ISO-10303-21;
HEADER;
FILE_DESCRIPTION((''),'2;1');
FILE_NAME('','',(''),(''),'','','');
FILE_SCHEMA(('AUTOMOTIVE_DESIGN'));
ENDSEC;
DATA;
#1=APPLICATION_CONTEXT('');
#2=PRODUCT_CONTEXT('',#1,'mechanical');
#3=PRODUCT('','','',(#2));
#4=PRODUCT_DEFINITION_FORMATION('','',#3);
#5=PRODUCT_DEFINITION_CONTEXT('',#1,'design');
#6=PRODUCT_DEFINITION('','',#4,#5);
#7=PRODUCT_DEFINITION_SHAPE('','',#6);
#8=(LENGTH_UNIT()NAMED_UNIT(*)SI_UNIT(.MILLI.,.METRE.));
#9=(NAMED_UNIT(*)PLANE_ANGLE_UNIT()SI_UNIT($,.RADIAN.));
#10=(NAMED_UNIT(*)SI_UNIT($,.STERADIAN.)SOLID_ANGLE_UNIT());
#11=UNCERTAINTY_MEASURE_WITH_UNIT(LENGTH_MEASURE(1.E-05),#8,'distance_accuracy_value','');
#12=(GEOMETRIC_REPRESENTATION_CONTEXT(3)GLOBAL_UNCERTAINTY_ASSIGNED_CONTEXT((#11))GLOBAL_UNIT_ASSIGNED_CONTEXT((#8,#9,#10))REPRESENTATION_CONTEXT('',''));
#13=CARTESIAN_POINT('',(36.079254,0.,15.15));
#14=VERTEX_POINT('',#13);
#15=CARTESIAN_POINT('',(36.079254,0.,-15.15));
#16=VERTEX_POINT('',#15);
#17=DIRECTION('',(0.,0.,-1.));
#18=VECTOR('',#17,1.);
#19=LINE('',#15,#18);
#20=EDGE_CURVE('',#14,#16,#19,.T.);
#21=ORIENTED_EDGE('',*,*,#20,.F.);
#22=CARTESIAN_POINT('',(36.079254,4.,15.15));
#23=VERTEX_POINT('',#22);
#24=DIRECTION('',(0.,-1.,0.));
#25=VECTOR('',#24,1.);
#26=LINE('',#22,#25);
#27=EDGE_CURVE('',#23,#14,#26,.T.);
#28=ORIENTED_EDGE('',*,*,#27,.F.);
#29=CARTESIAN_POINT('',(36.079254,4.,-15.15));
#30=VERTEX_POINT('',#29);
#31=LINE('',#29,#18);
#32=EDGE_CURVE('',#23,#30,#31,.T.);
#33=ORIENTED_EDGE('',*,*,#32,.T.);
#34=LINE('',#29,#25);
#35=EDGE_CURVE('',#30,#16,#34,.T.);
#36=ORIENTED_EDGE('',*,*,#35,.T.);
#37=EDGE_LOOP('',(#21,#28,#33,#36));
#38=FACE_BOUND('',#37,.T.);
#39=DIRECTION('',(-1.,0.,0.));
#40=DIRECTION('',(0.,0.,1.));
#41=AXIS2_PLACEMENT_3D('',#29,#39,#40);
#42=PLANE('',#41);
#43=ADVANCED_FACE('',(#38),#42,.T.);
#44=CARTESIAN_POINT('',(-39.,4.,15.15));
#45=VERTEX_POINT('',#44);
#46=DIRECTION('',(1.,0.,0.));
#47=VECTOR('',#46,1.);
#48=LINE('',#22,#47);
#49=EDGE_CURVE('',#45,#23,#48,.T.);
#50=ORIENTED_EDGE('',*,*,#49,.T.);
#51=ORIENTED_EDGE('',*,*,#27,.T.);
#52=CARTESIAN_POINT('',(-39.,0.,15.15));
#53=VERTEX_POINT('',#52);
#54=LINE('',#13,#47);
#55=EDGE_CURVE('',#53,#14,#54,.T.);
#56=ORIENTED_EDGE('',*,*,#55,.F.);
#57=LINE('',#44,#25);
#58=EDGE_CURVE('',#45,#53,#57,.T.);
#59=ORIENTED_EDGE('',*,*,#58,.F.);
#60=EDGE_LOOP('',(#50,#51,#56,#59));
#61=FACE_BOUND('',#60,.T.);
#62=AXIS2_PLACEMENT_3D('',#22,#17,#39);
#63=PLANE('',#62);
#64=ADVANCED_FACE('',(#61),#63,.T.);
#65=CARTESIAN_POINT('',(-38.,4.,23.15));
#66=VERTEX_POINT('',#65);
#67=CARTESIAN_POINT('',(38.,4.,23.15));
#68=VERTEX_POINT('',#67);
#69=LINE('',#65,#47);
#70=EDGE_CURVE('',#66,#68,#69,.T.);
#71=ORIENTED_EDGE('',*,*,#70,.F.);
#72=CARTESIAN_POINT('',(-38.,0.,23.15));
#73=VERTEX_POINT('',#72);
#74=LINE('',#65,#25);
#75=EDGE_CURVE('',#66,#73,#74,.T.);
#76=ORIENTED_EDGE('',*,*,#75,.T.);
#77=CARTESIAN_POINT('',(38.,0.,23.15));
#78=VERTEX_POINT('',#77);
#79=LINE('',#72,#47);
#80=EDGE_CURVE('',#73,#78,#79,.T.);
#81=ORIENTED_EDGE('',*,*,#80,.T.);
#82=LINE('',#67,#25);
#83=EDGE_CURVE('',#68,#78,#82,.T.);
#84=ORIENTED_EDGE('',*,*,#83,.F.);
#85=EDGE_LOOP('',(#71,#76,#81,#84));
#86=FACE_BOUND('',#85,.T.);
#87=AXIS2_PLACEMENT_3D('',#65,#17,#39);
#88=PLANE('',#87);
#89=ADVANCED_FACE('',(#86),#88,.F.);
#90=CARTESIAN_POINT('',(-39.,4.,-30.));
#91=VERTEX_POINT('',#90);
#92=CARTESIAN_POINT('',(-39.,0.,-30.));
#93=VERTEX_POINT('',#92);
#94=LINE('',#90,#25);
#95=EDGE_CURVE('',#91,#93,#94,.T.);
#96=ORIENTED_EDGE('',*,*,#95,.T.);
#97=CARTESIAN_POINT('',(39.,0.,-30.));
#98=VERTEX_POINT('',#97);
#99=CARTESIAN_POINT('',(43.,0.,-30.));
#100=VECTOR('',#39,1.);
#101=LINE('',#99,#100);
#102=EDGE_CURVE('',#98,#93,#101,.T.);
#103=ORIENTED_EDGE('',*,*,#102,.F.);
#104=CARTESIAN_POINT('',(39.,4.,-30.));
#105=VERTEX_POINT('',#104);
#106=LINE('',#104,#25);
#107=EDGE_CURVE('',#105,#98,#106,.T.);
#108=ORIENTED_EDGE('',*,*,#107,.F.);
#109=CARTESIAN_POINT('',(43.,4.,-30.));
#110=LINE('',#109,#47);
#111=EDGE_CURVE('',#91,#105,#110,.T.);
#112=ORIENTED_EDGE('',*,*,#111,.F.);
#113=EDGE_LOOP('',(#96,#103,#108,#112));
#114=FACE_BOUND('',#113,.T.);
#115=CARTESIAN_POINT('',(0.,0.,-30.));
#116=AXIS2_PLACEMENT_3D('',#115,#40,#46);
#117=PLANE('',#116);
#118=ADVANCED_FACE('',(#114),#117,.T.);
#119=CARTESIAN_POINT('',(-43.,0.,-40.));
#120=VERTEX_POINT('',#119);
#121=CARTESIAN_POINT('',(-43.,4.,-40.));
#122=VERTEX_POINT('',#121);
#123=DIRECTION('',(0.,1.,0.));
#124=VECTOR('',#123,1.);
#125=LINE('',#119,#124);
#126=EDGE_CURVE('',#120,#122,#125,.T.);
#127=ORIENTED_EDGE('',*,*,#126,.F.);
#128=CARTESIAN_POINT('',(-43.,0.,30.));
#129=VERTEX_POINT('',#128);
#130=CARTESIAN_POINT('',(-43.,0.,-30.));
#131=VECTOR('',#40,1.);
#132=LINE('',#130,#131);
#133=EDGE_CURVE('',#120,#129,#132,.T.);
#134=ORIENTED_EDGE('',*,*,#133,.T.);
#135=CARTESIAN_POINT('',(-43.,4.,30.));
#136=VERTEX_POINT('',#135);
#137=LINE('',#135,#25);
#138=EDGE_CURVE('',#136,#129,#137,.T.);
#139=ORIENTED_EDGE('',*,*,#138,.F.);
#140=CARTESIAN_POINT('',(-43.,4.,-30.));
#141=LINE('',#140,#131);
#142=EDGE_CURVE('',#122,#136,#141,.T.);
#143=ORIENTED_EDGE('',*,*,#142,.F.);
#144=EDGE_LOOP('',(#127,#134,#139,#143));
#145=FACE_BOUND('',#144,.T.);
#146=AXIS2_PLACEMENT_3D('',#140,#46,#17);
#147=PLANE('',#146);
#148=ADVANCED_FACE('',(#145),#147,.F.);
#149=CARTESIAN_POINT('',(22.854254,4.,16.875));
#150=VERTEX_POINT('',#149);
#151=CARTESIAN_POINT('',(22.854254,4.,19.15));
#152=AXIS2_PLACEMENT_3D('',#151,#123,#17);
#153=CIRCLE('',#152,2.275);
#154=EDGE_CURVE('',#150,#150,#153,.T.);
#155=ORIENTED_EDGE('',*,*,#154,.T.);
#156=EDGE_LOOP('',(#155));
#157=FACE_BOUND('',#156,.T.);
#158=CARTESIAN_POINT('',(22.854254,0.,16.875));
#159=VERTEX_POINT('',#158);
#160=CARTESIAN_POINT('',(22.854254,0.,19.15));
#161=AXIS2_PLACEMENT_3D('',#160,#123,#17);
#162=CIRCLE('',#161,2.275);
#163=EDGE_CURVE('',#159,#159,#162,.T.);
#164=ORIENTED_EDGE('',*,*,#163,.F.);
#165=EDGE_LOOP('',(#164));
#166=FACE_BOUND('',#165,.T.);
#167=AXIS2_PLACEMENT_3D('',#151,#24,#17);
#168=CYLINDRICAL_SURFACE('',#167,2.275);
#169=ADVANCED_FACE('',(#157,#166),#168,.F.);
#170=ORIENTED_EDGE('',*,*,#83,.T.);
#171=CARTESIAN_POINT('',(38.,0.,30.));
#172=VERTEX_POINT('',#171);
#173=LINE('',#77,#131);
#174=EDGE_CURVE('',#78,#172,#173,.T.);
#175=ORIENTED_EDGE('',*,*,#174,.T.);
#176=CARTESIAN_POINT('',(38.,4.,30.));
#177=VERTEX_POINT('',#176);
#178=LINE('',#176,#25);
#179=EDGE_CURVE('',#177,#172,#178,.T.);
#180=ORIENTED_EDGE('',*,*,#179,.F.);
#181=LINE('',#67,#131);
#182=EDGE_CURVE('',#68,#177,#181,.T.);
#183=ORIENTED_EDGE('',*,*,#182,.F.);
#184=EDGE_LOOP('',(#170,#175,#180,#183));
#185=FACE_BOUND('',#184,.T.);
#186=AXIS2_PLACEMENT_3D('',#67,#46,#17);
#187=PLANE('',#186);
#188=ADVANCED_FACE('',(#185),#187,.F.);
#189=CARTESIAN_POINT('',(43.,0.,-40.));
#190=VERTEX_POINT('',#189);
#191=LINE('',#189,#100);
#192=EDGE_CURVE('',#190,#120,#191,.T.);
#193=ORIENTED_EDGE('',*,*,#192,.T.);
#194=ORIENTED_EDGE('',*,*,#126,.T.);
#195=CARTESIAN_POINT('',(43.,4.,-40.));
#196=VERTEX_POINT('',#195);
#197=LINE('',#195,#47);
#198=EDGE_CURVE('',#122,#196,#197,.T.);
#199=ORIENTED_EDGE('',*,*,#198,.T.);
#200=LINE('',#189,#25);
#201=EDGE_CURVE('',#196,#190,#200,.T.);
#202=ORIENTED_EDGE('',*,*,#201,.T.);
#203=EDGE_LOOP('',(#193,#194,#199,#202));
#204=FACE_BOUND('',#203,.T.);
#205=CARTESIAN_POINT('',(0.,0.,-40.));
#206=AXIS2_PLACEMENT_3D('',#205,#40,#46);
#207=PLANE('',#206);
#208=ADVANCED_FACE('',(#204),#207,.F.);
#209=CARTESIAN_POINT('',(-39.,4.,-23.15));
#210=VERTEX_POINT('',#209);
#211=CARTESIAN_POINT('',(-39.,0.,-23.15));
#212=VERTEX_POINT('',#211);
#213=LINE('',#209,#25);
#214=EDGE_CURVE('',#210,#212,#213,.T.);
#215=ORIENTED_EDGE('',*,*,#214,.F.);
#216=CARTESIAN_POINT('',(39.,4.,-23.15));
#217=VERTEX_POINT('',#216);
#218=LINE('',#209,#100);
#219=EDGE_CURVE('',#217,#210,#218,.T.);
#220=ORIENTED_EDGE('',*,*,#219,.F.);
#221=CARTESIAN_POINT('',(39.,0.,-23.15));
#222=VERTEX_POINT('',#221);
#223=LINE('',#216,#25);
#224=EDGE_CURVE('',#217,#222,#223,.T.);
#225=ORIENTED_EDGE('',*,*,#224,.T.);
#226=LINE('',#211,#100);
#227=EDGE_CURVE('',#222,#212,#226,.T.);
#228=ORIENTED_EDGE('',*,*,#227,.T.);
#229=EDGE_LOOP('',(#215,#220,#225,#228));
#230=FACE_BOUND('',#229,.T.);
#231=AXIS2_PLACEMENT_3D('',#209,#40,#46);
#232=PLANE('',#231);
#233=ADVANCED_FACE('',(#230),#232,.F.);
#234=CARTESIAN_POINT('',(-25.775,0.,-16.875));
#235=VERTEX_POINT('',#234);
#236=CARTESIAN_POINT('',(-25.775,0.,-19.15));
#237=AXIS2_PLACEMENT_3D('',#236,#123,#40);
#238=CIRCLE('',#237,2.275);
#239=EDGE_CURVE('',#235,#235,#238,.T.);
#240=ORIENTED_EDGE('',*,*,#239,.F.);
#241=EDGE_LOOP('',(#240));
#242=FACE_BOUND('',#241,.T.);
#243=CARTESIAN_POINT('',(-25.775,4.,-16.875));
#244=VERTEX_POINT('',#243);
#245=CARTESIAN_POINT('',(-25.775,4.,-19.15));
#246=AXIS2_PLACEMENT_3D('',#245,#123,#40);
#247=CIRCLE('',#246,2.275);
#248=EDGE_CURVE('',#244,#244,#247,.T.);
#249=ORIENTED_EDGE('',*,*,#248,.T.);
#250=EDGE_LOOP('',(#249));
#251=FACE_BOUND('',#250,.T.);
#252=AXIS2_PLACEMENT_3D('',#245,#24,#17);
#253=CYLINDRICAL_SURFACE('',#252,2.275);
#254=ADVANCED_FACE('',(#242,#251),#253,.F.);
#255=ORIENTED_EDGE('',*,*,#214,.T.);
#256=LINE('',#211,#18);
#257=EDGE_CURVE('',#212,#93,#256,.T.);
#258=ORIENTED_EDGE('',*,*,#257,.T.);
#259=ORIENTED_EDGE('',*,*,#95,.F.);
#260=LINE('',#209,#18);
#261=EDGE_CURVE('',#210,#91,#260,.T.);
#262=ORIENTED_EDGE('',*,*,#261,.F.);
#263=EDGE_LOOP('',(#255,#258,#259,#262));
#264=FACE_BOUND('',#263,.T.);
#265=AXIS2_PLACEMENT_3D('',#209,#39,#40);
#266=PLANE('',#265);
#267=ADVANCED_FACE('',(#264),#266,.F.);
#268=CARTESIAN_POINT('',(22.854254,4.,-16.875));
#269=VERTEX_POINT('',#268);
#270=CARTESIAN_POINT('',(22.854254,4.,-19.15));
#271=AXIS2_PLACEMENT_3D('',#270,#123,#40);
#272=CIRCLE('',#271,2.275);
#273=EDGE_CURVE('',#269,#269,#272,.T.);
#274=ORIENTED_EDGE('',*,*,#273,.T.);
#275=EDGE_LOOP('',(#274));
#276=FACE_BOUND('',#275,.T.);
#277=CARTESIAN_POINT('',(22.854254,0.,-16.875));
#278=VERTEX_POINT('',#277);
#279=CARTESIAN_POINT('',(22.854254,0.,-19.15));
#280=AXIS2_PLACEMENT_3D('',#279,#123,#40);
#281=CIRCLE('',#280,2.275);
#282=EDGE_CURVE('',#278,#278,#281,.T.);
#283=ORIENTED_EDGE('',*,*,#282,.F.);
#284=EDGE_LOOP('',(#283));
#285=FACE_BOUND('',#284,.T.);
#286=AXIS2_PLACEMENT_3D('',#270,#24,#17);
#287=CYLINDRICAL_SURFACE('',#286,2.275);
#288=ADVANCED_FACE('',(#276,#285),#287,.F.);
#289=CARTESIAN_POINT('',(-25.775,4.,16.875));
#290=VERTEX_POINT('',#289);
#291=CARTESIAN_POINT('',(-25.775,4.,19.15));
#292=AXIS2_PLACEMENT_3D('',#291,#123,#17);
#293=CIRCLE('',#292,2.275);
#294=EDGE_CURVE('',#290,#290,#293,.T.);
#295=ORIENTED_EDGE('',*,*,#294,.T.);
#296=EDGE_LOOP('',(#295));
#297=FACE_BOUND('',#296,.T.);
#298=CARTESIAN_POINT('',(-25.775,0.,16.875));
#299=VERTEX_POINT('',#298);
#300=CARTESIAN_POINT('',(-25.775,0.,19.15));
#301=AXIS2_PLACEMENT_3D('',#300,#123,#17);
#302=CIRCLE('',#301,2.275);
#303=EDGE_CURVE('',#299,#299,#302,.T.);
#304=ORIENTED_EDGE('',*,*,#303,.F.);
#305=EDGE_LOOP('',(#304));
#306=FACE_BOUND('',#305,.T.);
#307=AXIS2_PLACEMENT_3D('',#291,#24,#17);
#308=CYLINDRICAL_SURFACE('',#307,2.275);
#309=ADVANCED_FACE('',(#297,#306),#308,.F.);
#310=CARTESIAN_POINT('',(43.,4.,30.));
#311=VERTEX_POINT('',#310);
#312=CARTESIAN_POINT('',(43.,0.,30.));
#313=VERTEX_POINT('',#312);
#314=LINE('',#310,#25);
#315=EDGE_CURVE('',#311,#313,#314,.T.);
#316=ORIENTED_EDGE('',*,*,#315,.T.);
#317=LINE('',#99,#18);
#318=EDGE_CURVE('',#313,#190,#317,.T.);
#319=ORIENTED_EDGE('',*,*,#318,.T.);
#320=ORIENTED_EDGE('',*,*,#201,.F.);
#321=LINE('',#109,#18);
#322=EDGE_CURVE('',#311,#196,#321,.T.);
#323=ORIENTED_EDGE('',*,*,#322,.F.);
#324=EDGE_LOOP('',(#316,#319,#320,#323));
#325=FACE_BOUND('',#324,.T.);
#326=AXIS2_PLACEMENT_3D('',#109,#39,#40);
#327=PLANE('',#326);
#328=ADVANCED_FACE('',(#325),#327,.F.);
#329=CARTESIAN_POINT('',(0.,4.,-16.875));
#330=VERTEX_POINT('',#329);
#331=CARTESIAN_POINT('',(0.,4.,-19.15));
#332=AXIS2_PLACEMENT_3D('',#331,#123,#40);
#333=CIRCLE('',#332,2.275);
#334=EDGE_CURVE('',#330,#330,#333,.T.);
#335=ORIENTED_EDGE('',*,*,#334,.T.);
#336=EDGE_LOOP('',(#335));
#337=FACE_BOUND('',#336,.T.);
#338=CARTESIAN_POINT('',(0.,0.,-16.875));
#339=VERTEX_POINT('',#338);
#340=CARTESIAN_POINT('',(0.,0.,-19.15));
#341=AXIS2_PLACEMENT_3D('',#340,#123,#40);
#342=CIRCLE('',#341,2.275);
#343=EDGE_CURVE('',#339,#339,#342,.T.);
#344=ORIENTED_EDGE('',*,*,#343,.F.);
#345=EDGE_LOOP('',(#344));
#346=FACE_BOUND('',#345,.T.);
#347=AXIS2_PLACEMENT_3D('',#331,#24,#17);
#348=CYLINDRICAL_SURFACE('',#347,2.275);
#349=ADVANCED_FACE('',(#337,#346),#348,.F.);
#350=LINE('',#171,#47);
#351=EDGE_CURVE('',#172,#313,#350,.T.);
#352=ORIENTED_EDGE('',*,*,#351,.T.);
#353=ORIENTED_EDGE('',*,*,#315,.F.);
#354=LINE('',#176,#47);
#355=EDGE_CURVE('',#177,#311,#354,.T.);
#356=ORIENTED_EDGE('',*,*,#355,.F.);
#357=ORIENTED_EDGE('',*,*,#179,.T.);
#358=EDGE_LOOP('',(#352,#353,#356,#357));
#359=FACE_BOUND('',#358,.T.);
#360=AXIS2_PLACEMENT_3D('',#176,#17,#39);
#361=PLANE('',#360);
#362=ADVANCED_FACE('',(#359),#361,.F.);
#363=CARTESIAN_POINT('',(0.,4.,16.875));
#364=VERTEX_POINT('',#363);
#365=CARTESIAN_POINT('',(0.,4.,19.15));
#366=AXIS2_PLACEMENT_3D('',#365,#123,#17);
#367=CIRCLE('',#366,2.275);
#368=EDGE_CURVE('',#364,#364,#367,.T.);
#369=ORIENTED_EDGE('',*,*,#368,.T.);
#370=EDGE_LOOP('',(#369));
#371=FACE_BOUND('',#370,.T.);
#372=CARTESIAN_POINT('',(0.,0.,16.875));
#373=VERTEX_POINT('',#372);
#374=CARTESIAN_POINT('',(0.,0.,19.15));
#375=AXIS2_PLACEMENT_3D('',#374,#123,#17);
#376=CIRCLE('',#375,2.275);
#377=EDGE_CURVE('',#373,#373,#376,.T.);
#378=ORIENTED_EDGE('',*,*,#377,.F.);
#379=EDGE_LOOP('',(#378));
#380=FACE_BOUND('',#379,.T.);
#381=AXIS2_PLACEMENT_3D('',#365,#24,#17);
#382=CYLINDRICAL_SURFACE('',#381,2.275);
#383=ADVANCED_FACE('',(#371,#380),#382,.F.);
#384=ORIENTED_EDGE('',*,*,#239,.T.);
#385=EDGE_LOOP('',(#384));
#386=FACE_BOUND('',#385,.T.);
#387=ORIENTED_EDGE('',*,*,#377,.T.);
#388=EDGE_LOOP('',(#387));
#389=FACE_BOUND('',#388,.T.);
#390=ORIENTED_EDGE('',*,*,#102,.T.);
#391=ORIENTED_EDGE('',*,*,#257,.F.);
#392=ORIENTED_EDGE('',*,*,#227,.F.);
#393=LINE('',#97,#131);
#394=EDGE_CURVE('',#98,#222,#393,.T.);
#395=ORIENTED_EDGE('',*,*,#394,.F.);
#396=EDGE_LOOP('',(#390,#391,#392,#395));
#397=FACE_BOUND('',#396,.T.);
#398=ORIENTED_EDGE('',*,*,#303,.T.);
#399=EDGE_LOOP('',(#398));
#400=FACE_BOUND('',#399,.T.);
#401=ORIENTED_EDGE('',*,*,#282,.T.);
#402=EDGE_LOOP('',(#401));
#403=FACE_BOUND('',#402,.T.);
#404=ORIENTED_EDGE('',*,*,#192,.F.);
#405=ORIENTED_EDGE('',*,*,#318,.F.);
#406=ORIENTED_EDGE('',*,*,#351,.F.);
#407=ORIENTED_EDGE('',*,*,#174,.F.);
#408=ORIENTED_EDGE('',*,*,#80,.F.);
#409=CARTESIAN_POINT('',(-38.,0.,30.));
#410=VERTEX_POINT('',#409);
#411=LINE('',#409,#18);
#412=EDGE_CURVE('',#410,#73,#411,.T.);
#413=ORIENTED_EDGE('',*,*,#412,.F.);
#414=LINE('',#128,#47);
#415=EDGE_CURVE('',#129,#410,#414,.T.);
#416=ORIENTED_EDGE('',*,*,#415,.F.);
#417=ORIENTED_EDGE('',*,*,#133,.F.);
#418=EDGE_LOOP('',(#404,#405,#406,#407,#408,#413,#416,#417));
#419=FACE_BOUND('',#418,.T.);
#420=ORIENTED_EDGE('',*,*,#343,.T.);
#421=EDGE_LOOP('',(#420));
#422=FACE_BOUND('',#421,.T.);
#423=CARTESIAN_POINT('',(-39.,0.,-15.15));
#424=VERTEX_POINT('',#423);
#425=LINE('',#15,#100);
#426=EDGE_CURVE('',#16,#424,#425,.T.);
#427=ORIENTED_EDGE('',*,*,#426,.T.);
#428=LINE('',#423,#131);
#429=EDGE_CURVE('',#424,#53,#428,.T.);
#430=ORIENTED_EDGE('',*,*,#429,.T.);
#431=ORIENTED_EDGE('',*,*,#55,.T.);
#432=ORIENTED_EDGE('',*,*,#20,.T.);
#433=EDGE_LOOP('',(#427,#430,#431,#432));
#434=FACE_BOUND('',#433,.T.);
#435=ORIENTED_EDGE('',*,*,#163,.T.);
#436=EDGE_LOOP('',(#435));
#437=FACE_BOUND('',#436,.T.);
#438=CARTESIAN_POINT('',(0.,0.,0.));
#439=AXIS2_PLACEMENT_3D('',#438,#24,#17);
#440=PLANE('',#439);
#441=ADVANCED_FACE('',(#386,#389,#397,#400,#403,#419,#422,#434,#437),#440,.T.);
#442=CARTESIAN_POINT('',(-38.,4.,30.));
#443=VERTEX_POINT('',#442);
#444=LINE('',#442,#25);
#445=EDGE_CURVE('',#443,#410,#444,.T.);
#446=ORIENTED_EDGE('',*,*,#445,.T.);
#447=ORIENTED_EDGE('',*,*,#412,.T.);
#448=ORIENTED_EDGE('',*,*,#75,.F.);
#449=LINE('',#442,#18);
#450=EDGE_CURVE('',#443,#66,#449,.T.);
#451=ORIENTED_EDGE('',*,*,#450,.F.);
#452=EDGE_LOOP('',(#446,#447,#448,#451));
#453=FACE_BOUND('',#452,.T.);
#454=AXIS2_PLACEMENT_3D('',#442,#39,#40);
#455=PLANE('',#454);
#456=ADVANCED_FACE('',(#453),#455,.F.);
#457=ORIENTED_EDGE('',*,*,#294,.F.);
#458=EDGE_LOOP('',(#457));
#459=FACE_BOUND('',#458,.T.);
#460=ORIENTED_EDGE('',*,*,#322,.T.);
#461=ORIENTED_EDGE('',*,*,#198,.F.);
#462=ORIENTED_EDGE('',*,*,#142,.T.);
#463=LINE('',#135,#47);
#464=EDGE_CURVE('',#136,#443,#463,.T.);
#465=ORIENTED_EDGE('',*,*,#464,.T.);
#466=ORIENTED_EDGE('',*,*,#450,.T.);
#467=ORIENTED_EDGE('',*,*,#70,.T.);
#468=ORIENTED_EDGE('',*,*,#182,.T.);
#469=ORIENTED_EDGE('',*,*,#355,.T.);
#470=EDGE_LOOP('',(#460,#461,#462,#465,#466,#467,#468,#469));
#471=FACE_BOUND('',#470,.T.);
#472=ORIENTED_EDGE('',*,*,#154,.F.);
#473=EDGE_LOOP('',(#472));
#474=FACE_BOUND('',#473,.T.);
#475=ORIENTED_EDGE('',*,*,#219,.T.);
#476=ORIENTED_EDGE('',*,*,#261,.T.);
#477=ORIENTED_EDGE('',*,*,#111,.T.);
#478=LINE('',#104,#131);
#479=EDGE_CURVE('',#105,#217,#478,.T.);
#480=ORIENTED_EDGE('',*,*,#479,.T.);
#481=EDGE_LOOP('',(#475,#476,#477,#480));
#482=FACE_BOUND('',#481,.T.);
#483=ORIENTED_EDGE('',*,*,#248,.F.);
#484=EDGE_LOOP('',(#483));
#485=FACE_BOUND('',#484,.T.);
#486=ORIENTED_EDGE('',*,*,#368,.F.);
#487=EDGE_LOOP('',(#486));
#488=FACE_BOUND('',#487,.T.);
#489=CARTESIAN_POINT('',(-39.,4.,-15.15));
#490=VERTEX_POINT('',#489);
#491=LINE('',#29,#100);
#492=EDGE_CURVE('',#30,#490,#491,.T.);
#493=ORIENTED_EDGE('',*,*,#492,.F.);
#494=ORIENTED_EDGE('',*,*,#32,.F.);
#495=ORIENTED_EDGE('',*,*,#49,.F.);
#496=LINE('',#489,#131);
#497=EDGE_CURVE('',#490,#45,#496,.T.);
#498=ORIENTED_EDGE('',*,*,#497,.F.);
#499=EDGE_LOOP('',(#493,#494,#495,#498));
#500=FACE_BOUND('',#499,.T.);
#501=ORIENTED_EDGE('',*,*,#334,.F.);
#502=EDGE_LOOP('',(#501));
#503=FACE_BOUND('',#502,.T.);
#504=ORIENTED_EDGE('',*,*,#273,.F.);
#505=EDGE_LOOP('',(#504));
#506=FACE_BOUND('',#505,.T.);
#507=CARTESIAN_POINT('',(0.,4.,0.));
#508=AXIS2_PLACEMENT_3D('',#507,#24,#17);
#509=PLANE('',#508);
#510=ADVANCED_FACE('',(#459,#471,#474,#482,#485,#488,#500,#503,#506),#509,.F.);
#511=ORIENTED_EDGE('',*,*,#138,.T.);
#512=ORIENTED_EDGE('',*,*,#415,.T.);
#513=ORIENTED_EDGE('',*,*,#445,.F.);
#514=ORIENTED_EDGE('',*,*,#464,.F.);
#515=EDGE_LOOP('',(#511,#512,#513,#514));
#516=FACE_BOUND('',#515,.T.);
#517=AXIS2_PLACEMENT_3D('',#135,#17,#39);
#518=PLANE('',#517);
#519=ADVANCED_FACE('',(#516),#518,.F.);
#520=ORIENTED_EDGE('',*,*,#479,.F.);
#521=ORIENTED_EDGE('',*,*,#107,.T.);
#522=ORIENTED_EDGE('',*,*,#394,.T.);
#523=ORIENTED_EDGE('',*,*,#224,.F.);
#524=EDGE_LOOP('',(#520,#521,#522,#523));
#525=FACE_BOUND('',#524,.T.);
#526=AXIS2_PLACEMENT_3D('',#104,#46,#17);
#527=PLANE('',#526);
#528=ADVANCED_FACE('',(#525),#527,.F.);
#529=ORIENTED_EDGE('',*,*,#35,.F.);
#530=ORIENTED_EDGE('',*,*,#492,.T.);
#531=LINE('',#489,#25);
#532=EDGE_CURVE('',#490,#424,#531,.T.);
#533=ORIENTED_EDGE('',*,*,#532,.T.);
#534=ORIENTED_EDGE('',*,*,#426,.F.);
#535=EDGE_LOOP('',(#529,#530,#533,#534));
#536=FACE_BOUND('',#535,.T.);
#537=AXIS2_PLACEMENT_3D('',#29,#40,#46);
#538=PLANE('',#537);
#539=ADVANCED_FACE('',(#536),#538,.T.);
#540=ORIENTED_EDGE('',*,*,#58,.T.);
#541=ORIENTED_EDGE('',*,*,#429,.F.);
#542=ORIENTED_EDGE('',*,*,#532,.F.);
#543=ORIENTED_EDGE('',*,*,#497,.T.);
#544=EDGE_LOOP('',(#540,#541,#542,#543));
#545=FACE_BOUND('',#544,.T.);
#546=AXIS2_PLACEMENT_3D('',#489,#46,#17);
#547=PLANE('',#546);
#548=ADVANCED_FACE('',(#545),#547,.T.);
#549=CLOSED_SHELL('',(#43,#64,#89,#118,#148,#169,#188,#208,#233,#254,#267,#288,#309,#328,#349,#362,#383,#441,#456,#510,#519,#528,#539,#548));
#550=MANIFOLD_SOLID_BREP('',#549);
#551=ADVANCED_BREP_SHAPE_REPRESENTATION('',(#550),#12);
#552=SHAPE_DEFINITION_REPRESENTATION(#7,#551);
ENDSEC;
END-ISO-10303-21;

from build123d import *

# Parameters (mm, degrees)
SKETCH2_R           = 2.275
SKETCH2_W           = 75.079254151
SKETCH2_H           = 30.3
BOSS_EXTRUDE1_DEPTH = 4
SKETCH3_W           = 86
SKETCH3_H           = 4
BOSS_EXTRUDE2_DEPTH = 10


with BuildPart() as part:
    # Sketch2 → Boss-Extrude1 (new body)
    with BuildSketch(Plane(origin=(0, 0, 0), x_dir=(1, 0, 0), z_dir=(0, 1, 0))):
        Polygon((43, 30), (39, 30), (39, 23.15), (-39, 23.15), (-39, 30), (-43, 30), (-43, -30), (-38, -30), (-38, -23.15), (38, -23.15), (38, -30), (43, -30), align=None)
        with Locations(Location((-25.775, 19.15, 0), (0, 0, 270))):
            Circle(SKETCH2_R, mode=Mode.SUBTRACT)
        with Locations(Location((22.854254151, 19.15, 0), (0, 0, 270))):
            Circle(SKETCH2_R, mode=Mode.SUBTRACT)
        with Locations(Location((0, 19.15, 0), (0, 0, 270))):
            Circle(SKETCH2_R, mode=Mode.SUBTRACT)
        with Locations(Location((22.854254151, -19.15, 0), (0, 0, 90))):
            Circle(SKETCH2_R, mode=Mode.SUBTRACT)
        with Locations(Location((0, -19.15, 0), (0, 0, 90))):
            Circle(SKETCH2_R, mode=Mode.SUBTRACT)
        with Locations(Location((-25.775, -19.15, 0), (0, 0, 90))):
            Circle(SKETCH2_R, mode=Mode.SUBTRACT)
        with Locations((-1.460372924, 0)):
            Rectangle(SKETCH2_W, SKETCH2_H, mode=Mode.SUBTRACT)
    extrude(amount=BOSS_EXTRUDE1_DEPTH)

    # Sketch3 → Boss-Extrude2 (add)
    with BuildSketch(Plane(origin=(0, 0, -30), x_dir=(-1, 0, 0), z_dir=(0, 0, -1))):
        with Locations((0, 2)):
            Rectangle(SKETCH3_W, SKETCH3_H)
    extrude(amount=BOSS_EXTRUDE2_DEPTH)


solid = part.part
